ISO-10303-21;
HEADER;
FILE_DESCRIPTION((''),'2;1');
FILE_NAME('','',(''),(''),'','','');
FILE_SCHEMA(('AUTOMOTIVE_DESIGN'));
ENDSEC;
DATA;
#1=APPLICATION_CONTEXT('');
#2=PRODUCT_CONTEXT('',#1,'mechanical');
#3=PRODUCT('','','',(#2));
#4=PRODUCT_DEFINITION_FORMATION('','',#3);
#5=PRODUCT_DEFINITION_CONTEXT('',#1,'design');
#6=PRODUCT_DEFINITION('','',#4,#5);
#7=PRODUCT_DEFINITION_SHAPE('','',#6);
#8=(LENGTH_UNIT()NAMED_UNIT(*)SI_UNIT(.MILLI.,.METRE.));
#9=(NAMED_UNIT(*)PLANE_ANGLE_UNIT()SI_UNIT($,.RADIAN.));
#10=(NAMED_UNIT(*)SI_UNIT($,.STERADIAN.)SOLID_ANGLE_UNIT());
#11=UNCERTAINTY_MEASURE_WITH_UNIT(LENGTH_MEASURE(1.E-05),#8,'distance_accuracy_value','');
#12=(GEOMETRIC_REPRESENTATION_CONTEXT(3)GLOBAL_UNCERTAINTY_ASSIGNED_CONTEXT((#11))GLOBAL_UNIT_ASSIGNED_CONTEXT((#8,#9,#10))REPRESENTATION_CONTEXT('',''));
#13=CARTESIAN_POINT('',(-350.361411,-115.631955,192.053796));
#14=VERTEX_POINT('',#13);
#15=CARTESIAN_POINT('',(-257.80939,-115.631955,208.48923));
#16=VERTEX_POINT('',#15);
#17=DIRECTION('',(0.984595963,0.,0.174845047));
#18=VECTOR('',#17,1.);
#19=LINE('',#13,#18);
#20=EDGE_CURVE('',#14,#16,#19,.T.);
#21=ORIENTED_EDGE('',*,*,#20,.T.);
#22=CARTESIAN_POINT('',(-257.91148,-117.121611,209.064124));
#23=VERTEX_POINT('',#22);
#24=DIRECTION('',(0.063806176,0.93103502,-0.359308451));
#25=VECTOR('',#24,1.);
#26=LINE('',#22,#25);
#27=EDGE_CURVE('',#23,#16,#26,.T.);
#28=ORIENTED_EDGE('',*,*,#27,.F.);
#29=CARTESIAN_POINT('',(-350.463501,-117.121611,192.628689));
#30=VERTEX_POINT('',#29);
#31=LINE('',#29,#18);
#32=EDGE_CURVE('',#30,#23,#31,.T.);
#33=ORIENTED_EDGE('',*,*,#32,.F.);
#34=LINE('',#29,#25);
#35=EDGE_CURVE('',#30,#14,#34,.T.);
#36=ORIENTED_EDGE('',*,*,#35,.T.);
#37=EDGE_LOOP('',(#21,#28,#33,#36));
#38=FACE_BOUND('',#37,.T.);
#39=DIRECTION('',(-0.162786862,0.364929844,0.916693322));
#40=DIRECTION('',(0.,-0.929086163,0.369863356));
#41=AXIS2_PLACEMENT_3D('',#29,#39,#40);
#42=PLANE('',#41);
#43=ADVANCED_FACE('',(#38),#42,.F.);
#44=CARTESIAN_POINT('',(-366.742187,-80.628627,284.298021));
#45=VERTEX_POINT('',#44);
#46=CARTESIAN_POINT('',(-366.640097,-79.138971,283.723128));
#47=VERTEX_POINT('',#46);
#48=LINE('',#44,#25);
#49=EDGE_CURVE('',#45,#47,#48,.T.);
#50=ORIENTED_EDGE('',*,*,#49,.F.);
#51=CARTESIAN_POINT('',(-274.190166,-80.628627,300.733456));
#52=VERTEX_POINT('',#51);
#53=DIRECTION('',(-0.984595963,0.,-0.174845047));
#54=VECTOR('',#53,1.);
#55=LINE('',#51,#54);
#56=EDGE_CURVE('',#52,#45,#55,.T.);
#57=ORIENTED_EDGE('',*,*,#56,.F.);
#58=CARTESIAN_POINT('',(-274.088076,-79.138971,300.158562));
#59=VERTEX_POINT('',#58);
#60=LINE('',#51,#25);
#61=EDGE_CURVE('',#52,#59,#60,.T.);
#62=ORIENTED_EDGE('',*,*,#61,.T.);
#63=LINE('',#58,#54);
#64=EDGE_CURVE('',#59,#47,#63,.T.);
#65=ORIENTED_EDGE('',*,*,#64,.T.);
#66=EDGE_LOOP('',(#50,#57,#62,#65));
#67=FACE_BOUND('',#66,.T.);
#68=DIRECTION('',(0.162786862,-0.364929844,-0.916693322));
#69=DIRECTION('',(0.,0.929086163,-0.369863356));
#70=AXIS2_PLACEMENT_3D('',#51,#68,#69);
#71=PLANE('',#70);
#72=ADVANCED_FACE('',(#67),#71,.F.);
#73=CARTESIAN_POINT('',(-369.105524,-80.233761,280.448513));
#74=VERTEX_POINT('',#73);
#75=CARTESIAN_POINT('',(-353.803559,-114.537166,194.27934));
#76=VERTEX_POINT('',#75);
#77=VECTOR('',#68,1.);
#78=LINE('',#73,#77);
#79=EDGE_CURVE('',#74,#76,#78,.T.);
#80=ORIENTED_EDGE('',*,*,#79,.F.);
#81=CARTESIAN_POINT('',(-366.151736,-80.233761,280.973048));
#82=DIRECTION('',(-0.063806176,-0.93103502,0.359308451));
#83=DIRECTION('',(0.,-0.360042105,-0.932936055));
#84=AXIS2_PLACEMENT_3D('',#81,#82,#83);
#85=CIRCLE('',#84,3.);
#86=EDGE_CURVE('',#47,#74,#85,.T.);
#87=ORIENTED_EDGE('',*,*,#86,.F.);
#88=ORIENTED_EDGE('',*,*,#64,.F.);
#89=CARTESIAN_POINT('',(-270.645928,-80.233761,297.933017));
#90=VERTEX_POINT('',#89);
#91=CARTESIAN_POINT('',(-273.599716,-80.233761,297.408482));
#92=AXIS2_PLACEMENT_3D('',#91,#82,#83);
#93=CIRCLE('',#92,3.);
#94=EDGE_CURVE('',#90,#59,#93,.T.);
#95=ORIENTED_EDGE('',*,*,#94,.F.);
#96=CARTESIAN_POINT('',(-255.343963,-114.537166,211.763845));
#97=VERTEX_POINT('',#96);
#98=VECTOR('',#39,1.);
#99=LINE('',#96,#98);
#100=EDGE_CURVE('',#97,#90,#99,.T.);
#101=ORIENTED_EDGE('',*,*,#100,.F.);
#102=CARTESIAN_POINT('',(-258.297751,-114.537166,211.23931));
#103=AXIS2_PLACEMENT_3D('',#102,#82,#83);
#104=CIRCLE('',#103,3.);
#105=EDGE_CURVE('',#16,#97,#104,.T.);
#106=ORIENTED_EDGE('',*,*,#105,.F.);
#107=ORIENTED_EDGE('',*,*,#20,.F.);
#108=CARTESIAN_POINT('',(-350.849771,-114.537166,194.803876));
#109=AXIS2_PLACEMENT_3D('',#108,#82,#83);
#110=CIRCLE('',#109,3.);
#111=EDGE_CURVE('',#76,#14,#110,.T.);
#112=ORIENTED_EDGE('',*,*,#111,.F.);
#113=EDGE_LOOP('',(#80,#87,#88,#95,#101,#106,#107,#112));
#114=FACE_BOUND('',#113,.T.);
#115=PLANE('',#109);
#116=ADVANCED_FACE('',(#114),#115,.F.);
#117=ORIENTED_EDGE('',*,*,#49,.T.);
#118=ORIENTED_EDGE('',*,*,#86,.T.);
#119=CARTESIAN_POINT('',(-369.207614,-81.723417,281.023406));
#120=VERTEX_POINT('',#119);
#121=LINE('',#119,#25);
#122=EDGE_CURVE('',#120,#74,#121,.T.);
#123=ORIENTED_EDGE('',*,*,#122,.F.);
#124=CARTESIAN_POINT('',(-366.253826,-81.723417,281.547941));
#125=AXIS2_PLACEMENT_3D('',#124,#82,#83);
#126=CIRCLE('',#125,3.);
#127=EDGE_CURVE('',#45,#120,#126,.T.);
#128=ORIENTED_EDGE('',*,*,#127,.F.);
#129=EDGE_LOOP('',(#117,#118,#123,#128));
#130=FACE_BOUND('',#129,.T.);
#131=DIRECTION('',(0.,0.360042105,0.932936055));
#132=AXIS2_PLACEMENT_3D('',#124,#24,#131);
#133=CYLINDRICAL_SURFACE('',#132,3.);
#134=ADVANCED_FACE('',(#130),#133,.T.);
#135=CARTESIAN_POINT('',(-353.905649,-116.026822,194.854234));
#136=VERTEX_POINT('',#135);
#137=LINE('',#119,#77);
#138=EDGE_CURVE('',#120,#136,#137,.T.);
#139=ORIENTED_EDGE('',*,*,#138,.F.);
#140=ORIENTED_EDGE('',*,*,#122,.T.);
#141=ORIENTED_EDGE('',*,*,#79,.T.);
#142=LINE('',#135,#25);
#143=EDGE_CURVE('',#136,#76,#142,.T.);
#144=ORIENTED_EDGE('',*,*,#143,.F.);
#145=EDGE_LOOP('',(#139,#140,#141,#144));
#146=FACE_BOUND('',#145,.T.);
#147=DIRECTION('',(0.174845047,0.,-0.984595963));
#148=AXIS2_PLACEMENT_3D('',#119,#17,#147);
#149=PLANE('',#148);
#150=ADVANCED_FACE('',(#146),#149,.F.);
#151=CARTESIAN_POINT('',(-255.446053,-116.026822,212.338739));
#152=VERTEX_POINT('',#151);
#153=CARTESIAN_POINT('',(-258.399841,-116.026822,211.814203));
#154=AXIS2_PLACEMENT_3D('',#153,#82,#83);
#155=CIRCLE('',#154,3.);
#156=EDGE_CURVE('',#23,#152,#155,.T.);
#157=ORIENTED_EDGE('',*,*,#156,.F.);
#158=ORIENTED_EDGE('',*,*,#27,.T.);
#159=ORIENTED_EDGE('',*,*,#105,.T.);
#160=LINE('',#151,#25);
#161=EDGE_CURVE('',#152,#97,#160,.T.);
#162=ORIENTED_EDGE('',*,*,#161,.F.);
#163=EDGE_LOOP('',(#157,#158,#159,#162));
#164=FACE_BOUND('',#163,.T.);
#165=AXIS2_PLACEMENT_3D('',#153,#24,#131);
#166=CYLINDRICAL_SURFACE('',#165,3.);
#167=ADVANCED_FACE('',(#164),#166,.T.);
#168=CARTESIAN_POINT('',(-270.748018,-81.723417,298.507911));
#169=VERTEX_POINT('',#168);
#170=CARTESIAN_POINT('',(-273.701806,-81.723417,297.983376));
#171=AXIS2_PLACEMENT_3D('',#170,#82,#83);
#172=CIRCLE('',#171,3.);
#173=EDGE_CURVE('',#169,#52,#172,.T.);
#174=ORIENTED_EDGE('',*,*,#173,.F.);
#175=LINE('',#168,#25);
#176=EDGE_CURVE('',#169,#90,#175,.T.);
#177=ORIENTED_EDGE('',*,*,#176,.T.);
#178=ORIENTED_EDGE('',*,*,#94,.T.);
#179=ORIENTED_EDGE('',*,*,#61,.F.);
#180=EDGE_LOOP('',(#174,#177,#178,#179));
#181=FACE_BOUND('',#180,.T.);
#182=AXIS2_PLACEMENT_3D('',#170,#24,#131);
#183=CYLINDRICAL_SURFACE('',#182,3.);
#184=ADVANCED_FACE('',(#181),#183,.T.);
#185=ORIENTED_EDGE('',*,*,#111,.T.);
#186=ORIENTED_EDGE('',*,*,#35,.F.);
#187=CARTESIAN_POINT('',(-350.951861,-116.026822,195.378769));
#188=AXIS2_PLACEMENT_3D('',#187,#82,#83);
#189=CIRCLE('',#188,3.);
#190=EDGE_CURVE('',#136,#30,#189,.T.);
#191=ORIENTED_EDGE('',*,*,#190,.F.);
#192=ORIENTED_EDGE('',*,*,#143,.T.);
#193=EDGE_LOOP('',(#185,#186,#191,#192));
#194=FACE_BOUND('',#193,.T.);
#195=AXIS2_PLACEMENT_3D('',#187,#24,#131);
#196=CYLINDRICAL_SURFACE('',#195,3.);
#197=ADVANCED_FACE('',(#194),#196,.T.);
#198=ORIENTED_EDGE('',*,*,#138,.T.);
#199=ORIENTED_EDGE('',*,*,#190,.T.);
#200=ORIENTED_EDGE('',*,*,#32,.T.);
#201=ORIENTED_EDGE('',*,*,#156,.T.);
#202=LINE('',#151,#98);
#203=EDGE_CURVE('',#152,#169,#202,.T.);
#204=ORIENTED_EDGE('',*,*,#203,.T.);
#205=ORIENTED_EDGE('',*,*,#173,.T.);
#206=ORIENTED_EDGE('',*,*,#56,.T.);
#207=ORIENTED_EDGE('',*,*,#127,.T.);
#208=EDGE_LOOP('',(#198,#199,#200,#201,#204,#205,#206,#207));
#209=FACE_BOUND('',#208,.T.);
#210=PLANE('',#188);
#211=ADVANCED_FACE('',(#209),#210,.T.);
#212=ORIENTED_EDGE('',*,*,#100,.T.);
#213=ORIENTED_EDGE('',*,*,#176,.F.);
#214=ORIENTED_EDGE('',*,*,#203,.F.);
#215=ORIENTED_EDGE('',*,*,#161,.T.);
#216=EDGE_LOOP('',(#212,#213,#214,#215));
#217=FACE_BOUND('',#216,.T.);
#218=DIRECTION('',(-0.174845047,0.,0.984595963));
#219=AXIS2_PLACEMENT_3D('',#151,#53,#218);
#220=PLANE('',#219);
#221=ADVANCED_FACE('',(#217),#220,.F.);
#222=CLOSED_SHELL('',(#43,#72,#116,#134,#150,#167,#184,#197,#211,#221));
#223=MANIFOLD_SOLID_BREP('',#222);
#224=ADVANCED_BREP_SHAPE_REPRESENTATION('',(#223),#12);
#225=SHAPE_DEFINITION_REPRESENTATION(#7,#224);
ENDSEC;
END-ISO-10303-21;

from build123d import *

# Parameters (mm, degrees)
BOSS_EXTRUDE1_DEPTH = 1.6


with BuildPart() as part:
    # Sketch1 → Boss-Extrude1 (new body)
    with BuildSketch(Plane(origin=(-12.698652334, -185.293820191, 71.509270938), x_dir=(-0.9978916860619795, 0.0638061756262259, -0.011872440369816299), z_dir=(-0.0638061756262259, -0.9310350202718788, 0.3593084510268266))):
        with BuildLine():
            Line((339.96455881, -133.506535423), (247.412538323, -149.941969817))
            ThreePointArc((247.412538323, -149.941969817), (245.477527663, -151.178016613), (244.983285575, -153.420292845))
            Line((244.983285575, -153.420292845), (261.418719968, -245.972313332))
            ThreePointArc((261.418719968, -245.972313332), (262.654766765, -247.907323992), (264.897042996, -248.40156608))
            Line((264.897042996, -248.40156608), (357.449063484, -231.966131687))
            ThreePointArc((357.449063484, -231.966131687), (359.384074144, -230.73008489), (359.878316232, -228.487808658))
            Line((359.878316232, -228.487808658), (343.442881838, -135.935788171))
            ThreePointArc((343.442881838, -135.935788171), (342.206835042, -134.000777511), (339.96455881, -133.506535423))
        make_face()
    extrude(amount=BOSS_EXTRUDE1_DEPTH)


solid = part.part
